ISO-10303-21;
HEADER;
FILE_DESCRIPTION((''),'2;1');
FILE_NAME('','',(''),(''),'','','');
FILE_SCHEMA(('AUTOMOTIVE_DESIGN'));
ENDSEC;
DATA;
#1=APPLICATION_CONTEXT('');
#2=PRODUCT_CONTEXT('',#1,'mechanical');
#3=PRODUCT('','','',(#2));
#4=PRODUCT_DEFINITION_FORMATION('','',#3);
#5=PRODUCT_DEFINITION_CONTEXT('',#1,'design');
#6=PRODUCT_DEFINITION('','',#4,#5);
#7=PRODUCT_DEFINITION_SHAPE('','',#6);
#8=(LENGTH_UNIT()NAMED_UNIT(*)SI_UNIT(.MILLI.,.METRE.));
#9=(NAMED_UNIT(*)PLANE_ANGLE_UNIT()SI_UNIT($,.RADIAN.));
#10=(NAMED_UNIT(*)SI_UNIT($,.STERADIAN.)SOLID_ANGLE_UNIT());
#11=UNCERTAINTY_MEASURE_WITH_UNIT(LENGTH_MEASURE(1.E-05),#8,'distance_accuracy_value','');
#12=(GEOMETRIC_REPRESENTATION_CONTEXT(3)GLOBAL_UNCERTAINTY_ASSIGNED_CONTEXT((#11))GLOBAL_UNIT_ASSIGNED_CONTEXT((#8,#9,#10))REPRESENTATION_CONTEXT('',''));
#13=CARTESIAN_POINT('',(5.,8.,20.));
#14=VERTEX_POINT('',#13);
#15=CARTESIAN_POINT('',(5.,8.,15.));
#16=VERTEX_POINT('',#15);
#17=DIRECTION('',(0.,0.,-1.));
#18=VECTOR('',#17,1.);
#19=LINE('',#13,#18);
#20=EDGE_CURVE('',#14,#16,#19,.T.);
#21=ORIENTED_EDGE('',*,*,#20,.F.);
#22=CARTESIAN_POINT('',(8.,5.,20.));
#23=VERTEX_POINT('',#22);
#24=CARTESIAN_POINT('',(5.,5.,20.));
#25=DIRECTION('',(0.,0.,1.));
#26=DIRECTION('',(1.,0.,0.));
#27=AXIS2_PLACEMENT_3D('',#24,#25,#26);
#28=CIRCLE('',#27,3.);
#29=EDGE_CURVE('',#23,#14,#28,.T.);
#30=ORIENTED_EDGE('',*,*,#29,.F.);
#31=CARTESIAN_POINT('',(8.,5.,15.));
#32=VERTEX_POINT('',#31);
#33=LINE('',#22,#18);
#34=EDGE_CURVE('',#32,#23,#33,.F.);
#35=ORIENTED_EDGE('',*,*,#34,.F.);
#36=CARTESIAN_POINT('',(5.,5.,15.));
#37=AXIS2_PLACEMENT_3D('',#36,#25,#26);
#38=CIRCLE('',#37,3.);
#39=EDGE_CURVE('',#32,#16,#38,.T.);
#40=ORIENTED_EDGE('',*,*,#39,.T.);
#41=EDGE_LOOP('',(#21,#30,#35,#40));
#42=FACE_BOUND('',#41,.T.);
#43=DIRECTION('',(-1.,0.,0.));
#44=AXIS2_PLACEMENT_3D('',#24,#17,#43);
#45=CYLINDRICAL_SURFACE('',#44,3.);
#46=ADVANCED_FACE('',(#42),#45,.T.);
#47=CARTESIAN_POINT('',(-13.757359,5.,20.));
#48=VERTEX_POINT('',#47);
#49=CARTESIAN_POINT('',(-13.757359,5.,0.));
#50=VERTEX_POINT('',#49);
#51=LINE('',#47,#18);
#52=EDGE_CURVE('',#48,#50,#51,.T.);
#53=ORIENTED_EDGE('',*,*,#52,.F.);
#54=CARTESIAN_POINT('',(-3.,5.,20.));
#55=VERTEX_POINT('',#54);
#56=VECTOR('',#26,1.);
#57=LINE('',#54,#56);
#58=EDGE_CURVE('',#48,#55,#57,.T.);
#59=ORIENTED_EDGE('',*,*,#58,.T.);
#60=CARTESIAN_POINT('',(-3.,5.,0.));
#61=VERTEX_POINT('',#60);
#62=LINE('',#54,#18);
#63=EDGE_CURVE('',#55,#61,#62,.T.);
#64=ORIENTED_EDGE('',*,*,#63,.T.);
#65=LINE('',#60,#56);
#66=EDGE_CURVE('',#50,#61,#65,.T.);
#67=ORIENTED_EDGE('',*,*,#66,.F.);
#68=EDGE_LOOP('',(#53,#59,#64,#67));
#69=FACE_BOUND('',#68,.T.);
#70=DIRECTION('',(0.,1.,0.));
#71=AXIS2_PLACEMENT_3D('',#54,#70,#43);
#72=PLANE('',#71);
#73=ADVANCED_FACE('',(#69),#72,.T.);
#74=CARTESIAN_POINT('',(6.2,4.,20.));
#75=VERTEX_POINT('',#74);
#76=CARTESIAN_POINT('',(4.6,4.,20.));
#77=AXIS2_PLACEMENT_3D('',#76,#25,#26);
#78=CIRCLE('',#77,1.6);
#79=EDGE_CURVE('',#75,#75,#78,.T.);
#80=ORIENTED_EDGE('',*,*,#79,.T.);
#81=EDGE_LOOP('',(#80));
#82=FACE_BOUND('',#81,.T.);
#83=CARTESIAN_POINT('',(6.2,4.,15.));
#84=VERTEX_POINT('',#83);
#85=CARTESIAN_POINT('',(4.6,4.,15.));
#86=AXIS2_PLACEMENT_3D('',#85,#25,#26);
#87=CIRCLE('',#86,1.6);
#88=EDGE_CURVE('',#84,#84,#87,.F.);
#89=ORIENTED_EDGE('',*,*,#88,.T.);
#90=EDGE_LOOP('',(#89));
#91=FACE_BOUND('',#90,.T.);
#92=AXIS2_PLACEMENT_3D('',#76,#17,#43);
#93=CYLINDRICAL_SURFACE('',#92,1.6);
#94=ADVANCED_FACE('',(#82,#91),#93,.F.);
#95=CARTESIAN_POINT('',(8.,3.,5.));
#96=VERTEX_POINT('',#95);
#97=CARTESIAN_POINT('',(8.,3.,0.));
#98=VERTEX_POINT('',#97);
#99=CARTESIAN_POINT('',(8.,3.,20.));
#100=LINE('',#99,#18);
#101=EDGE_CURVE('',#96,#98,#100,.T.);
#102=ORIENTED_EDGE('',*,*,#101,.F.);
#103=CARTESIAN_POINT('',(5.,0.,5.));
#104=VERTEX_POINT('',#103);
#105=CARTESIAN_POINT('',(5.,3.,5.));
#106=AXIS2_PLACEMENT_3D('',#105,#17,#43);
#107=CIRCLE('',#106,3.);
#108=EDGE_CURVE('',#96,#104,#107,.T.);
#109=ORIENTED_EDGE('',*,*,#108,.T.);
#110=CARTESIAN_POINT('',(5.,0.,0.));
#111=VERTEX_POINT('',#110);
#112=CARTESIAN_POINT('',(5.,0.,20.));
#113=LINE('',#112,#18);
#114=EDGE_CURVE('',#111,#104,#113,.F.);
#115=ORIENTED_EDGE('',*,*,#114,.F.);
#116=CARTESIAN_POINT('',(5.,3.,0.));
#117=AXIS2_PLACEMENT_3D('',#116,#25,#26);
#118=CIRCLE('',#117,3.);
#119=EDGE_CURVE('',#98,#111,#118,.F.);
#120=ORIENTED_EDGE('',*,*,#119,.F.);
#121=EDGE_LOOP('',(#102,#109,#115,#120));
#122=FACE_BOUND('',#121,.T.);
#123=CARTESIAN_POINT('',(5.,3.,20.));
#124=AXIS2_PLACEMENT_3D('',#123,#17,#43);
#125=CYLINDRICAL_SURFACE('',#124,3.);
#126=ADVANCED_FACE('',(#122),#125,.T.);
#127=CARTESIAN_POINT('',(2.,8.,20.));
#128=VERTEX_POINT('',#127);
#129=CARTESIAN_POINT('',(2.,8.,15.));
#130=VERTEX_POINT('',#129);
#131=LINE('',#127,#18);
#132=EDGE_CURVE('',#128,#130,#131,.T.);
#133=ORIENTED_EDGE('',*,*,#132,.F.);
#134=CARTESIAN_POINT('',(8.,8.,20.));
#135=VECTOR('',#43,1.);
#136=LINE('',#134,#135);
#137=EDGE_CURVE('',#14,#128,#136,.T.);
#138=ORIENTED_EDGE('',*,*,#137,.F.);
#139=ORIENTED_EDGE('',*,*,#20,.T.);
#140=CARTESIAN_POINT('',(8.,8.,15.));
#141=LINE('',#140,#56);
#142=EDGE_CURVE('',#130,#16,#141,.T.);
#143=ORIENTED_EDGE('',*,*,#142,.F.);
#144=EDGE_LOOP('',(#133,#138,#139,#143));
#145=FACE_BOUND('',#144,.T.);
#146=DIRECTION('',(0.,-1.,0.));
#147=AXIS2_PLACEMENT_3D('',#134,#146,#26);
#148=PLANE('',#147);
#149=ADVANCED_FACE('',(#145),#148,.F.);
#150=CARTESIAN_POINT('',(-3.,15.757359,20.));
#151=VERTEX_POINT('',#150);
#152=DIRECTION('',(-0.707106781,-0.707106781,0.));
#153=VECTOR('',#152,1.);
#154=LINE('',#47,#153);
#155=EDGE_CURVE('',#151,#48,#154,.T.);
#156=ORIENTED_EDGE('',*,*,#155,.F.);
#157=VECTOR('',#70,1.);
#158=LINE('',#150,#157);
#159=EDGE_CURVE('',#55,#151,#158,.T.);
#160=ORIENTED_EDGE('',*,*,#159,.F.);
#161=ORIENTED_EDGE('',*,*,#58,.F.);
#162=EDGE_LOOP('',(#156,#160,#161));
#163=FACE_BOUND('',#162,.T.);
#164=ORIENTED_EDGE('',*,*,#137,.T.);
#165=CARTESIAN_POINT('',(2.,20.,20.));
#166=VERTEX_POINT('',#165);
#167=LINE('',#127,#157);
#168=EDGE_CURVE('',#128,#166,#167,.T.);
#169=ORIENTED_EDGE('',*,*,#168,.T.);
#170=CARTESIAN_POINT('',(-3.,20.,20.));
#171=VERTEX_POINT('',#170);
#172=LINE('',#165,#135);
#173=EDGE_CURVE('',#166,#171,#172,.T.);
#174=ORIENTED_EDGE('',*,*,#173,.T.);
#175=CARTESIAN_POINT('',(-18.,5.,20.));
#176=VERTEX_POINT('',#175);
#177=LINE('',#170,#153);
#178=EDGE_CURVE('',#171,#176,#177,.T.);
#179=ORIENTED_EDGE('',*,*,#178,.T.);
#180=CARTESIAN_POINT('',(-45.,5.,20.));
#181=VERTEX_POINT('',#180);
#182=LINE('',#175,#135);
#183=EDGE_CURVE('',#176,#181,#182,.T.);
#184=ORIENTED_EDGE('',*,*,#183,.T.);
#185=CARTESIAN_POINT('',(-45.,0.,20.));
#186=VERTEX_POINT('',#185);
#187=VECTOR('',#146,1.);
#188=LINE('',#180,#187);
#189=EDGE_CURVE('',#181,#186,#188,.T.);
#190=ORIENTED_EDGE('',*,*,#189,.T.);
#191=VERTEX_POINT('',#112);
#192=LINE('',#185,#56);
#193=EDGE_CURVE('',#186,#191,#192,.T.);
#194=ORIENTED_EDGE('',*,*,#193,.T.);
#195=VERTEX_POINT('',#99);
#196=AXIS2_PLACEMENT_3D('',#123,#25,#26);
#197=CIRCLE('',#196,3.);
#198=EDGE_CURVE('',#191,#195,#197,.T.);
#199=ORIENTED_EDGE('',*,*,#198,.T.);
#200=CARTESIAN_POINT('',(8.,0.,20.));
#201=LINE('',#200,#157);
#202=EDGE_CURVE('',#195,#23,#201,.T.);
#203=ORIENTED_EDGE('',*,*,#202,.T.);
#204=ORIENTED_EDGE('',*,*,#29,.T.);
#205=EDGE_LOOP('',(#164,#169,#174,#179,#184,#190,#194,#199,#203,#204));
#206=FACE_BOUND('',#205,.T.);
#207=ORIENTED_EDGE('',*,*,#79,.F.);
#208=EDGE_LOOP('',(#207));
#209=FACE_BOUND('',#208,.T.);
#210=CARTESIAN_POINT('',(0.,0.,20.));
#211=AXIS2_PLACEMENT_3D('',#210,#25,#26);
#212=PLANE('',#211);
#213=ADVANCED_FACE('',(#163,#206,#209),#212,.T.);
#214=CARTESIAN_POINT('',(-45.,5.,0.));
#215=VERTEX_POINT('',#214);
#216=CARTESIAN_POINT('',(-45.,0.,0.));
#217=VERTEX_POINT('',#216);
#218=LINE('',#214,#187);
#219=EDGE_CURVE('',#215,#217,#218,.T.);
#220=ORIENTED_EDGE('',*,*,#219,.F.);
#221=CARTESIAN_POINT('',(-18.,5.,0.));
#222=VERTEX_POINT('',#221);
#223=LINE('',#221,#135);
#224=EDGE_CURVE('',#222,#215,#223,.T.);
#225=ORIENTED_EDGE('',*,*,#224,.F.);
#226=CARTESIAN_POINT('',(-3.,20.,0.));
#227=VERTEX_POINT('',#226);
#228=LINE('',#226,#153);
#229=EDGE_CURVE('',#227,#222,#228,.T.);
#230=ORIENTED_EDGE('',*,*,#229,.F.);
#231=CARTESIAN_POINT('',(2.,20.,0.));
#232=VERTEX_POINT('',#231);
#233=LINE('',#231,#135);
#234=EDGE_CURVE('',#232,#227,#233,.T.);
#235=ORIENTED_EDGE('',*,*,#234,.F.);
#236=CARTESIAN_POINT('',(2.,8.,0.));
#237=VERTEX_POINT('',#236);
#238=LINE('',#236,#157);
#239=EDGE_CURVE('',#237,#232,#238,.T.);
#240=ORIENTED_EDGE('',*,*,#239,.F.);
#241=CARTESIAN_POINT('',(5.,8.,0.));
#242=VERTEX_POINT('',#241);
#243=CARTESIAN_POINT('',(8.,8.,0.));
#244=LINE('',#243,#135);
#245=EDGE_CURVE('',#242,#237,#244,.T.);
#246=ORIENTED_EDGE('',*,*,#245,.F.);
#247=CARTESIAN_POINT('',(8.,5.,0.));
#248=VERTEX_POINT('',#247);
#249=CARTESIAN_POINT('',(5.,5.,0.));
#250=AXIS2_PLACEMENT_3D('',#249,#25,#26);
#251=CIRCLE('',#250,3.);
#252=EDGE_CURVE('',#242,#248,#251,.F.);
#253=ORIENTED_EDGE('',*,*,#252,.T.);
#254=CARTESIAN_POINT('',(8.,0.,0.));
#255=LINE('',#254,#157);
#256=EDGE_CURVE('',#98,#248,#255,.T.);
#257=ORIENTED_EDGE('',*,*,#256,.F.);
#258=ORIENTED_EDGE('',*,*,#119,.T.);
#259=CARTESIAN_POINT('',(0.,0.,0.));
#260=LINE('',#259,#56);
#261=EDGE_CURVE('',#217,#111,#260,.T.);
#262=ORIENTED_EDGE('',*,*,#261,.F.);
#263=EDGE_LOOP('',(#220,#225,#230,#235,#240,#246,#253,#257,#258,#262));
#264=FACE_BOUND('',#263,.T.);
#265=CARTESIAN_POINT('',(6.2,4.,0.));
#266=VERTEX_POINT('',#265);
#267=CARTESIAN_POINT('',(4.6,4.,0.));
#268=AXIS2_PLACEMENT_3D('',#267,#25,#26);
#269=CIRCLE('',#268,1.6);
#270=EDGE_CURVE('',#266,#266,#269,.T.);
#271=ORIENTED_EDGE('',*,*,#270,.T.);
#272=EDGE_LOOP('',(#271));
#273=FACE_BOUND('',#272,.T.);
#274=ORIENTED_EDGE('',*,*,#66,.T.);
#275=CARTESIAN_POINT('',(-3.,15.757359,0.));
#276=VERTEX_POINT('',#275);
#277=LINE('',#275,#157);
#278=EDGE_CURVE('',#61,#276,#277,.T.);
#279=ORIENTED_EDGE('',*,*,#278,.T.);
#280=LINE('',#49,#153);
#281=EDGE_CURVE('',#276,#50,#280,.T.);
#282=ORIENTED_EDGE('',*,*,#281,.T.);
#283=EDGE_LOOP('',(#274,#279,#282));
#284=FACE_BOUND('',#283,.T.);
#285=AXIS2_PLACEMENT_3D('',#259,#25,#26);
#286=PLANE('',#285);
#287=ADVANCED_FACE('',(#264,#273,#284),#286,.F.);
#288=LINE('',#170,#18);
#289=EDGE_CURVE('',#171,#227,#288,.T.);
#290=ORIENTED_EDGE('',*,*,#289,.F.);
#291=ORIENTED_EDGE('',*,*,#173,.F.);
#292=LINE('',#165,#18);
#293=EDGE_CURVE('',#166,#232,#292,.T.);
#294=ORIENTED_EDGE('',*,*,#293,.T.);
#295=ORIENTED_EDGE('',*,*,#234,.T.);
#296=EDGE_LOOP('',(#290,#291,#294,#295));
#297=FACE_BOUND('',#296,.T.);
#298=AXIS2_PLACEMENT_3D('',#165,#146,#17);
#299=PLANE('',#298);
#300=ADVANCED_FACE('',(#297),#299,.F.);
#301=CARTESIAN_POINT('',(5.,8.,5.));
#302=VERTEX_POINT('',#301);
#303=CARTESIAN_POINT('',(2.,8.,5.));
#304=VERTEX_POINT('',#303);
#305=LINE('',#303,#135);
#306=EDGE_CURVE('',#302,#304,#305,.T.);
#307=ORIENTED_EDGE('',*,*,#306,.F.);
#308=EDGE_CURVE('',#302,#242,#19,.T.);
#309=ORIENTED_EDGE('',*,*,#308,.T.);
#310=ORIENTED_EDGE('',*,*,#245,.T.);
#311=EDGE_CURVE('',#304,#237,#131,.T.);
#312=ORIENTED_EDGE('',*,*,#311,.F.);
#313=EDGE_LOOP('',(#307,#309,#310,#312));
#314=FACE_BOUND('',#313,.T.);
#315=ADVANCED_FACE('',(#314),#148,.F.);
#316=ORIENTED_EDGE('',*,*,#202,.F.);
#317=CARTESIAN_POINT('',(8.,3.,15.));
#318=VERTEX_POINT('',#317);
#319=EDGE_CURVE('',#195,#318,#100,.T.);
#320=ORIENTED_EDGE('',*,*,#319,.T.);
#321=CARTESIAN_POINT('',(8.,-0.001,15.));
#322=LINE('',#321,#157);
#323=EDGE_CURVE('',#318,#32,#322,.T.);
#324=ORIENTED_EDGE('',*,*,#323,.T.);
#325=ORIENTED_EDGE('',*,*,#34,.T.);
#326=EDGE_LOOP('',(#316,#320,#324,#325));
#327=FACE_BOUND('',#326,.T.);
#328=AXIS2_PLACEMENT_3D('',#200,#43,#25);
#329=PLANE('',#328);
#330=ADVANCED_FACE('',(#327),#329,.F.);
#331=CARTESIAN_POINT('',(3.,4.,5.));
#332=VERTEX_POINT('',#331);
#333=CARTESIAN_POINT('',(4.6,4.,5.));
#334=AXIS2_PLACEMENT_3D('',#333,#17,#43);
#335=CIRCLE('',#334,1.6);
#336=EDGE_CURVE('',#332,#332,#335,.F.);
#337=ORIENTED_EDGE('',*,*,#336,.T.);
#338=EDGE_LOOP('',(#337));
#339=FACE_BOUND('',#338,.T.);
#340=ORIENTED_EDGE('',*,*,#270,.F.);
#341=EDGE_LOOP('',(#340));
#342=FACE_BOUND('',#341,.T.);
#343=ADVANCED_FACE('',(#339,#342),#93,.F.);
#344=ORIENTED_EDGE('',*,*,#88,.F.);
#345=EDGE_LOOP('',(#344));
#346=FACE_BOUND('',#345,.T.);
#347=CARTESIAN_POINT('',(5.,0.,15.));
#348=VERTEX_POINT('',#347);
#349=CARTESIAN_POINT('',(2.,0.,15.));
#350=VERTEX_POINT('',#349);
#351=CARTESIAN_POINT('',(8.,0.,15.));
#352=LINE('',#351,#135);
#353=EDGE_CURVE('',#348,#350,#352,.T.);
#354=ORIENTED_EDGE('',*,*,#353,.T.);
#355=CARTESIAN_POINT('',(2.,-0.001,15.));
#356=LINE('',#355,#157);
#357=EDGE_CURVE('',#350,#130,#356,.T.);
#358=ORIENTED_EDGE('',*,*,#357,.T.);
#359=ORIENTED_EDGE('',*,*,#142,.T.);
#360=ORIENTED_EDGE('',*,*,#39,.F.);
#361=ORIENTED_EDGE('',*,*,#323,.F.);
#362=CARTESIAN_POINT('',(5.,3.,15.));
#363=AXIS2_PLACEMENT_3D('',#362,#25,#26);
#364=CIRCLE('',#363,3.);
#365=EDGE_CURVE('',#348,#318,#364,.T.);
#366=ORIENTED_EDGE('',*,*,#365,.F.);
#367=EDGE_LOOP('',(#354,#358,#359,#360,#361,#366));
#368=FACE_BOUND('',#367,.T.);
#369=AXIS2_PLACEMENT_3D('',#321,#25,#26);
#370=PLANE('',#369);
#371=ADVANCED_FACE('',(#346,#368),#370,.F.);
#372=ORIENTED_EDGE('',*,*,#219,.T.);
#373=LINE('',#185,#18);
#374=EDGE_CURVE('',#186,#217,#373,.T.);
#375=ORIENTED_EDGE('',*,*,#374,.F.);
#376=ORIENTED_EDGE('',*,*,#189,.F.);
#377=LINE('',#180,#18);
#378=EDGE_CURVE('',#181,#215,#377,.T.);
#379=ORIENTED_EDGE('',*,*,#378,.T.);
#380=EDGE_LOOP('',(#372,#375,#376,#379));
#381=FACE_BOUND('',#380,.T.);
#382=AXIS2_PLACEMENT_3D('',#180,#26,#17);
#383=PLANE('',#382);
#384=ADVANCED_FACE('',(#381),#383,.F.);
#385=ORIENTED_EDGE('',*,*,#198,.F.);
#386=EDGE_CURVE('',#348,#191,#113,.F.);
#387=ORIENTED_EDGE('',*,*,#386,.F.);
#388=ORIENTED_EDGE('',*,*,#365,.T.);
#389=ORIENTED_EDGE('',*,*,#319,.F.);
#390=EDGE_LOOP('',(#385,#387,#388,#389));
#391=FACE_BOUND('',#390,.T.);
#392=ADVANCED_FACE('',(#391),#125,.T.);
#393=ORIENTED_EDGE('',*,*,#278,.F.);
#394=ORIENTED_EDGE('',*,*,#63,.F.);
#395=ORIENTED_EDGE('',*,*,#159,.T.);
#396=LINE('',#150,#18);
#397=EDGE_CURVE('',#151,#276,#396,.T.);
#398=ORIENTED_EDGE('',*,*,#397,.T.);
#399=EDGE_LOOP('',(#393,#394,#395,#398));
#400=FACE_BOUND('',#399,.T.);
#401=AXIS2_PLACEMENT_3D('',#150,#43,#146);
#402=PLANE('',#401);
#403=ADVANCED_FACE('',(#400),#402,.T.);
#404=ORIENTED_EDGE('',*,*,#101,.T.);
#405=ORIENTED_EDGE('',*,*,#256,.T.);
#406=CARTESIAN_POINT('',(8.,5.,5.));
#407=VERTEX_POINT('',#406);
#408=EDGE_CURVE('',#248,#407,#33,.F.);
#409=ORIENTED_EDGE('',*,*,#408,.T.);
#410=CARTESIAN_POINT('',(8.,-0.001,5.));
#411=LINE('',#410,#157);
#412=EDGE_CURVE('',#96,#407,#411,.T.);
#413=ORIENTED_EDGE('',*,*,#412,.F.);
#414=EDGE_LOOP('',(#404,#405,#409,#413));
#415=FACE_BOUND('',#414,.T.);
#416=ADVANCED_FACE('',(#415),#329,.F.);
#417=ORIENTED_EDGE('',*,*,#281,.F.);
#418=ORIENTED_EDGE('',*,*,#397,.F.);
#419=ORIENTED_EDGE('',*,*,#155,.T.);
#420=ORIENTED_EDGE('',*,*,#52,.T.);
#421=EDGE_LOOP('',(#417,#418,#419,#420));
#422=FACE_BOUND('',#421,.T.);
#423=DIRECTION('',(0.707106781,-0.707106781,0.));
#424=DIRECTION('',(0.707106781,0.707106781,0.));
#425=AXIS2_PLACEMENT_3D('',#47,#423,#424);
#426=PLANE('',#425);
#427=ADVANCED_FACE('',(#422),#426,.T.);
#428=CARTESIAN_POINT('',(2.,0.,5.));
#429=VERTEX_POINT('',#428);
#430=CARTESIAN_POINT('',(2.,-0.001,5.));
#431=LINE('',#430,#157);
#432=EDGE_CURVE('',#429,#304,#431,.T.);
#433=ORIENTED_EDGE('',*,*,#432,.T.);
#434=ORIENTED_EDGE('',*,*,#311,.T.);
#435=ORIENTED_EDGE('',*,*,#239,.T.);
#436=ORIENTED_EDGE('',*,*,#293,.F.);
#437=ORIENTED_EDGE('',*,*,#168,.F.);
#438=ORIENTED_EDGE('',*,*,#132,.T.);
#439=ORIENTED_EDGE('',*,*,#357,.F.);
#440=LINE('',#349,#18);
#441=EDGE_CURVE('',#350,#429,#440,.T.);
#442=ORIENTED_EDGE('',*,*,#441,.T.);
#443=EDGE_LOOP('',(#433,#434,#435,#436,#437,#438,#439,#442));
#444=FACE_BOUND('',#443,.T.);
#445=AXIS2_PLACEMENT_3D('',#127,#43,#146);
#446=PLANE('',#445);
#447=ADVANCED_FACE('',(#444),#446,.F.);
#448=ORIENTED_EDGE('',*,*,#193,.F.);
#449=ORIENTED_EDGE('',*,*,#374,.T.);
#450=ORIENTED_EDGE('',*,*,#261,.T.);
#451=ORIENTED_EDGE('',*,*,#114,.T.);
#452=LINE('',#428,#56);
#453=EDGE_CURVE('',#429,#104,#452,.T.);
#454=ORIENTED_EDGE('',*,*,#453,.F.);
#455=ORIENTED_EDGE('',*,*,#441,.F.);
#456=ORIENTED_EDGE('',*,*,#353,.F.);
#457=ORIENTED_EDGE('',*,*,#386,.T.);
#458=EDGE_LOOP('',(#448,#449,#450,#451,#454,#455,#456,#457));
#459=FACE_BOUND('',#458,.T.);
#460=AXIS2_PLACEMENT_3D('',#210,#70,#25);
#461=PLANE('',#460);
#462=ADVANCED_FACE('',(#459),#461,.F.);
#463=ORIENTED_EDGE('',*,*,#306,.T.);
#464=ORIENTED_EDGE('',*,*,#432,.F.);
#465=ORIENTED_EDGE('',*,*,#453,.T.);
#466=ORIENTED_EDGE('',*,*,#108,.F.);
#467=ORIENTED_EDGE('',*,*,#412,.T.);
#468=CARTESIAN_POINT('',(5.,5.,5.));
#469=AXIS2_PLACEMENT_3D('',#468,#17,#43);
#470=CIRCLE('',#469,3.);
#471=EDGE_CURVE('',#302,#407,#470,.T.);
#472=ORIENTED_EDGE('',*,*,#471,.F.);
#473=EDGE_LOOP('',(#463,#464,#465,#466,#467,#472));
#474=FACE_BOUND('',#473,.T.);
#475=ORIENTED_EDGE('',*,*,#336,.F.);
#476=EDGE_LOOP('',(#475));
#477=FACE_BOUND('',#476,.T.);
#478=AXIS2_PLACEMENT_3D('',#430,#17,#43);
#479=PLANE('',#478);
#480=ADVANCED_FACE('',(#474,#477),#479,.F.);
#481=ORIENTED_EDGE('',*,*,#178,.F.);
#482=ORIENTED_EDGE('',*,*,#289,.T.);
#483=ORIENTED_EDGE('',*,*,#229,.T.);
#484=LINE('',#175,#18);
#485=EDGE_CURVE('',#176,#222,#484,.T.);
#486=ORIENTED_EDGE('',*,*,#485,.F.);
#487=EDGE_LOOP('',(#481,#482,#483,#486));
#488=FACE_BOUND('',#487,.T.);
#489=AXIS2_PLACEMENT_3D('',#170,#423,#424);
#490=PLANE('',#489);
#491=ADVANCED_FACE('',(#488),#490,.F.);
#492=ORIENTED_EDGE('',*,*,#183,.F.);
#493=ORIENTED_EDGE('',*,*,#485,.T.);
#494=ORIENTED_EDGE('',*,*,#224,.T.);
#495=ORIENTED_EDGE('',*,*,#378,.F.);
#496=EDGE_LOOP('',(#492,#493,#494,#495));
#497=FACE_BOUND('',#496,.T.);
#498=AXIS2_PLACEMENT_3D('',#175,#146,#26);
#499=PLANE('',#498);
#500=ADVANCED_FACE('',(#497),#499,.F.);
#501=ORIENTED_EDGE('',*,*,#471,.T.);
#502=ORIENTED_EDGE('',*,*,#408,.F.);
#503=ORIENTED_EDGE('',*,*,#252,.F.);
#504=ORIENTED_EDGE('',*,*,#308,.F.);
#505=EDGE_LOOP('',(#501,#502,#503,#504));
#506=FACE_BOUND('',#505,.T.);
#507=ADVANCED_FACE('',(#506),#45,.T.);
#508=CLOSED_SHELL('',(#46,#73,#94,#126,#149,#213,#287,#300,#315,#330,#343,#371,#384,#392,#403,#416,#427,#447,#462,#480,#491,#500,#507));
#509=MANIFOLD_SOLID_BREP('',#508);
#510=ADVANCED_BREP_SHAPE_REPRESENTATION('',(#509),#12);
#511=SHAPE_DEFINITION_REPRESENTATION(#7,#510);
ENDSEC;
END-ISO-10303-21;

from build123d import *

# Parameters (mm, degrees)
SKETCH2_R           = 1.6
BOSS_EXTRUDE1_DEPTH = 20
FILLET1_R           = 3
CUT_EXTRUDE1_REACH  = 52.685
SKETCH3_W           = 6
SKETCH3_H           = 10


with BuildPart() as part:
    # Sketch2 → Boss-Extrude1 (new body)
    with BuildSketch(Plane.XY):
        Polygon((-45, 0), (0, 0), (8, 0), (8, 8), (2, 8), (2, 20), (-3, 20), (-18, 5), (-45, 5), align=None)
        with Locations((4.6, 4)):
            Circle(SKETCH2_R, mode=Mode.SUBTRACT)
        Polygon((-3, 5), (-13.757359313, 5), (-3, 15.757359313), align=None, mode=Mode.SUBTRACT)
    extrude(amount=BOSS_EXTRUDE1_DEPTH)

    # Fillet1
    fillet1_edges = [part.edges().sort_by_distance(p)[0] for p in [
        (8, 8, 10),
        (8, 0, 10),
    ]]
    fillet(fillet1_edges, radius=FILLET1_R)

    # Sketch3 → Cut-Extrude1 (cut, up to next)
    with BuildSketch(Plane(origin=(0, 8, 0), x_dir=(1, 0, 0), z_dir=(0, 1, 0)), mode=Mode.PRIVATE) as cut_extrude1_sk1:
        with Locations((5, -10)):
            Rectangle(SKETCH3_W, SKETCH3_H)
    cut_extrude1_tool1 = extrude(cut_extrude1_sk1.sketch, amount=-CUT_EXTRUDE1_REACH, mode=Mode.PRIVATE) & part.part
    add(cut_extrude1_tool1.solids().sort_by_distance((5, 8, 10))[0], mode=Mode.SUBTRACT)


solid = part.part
